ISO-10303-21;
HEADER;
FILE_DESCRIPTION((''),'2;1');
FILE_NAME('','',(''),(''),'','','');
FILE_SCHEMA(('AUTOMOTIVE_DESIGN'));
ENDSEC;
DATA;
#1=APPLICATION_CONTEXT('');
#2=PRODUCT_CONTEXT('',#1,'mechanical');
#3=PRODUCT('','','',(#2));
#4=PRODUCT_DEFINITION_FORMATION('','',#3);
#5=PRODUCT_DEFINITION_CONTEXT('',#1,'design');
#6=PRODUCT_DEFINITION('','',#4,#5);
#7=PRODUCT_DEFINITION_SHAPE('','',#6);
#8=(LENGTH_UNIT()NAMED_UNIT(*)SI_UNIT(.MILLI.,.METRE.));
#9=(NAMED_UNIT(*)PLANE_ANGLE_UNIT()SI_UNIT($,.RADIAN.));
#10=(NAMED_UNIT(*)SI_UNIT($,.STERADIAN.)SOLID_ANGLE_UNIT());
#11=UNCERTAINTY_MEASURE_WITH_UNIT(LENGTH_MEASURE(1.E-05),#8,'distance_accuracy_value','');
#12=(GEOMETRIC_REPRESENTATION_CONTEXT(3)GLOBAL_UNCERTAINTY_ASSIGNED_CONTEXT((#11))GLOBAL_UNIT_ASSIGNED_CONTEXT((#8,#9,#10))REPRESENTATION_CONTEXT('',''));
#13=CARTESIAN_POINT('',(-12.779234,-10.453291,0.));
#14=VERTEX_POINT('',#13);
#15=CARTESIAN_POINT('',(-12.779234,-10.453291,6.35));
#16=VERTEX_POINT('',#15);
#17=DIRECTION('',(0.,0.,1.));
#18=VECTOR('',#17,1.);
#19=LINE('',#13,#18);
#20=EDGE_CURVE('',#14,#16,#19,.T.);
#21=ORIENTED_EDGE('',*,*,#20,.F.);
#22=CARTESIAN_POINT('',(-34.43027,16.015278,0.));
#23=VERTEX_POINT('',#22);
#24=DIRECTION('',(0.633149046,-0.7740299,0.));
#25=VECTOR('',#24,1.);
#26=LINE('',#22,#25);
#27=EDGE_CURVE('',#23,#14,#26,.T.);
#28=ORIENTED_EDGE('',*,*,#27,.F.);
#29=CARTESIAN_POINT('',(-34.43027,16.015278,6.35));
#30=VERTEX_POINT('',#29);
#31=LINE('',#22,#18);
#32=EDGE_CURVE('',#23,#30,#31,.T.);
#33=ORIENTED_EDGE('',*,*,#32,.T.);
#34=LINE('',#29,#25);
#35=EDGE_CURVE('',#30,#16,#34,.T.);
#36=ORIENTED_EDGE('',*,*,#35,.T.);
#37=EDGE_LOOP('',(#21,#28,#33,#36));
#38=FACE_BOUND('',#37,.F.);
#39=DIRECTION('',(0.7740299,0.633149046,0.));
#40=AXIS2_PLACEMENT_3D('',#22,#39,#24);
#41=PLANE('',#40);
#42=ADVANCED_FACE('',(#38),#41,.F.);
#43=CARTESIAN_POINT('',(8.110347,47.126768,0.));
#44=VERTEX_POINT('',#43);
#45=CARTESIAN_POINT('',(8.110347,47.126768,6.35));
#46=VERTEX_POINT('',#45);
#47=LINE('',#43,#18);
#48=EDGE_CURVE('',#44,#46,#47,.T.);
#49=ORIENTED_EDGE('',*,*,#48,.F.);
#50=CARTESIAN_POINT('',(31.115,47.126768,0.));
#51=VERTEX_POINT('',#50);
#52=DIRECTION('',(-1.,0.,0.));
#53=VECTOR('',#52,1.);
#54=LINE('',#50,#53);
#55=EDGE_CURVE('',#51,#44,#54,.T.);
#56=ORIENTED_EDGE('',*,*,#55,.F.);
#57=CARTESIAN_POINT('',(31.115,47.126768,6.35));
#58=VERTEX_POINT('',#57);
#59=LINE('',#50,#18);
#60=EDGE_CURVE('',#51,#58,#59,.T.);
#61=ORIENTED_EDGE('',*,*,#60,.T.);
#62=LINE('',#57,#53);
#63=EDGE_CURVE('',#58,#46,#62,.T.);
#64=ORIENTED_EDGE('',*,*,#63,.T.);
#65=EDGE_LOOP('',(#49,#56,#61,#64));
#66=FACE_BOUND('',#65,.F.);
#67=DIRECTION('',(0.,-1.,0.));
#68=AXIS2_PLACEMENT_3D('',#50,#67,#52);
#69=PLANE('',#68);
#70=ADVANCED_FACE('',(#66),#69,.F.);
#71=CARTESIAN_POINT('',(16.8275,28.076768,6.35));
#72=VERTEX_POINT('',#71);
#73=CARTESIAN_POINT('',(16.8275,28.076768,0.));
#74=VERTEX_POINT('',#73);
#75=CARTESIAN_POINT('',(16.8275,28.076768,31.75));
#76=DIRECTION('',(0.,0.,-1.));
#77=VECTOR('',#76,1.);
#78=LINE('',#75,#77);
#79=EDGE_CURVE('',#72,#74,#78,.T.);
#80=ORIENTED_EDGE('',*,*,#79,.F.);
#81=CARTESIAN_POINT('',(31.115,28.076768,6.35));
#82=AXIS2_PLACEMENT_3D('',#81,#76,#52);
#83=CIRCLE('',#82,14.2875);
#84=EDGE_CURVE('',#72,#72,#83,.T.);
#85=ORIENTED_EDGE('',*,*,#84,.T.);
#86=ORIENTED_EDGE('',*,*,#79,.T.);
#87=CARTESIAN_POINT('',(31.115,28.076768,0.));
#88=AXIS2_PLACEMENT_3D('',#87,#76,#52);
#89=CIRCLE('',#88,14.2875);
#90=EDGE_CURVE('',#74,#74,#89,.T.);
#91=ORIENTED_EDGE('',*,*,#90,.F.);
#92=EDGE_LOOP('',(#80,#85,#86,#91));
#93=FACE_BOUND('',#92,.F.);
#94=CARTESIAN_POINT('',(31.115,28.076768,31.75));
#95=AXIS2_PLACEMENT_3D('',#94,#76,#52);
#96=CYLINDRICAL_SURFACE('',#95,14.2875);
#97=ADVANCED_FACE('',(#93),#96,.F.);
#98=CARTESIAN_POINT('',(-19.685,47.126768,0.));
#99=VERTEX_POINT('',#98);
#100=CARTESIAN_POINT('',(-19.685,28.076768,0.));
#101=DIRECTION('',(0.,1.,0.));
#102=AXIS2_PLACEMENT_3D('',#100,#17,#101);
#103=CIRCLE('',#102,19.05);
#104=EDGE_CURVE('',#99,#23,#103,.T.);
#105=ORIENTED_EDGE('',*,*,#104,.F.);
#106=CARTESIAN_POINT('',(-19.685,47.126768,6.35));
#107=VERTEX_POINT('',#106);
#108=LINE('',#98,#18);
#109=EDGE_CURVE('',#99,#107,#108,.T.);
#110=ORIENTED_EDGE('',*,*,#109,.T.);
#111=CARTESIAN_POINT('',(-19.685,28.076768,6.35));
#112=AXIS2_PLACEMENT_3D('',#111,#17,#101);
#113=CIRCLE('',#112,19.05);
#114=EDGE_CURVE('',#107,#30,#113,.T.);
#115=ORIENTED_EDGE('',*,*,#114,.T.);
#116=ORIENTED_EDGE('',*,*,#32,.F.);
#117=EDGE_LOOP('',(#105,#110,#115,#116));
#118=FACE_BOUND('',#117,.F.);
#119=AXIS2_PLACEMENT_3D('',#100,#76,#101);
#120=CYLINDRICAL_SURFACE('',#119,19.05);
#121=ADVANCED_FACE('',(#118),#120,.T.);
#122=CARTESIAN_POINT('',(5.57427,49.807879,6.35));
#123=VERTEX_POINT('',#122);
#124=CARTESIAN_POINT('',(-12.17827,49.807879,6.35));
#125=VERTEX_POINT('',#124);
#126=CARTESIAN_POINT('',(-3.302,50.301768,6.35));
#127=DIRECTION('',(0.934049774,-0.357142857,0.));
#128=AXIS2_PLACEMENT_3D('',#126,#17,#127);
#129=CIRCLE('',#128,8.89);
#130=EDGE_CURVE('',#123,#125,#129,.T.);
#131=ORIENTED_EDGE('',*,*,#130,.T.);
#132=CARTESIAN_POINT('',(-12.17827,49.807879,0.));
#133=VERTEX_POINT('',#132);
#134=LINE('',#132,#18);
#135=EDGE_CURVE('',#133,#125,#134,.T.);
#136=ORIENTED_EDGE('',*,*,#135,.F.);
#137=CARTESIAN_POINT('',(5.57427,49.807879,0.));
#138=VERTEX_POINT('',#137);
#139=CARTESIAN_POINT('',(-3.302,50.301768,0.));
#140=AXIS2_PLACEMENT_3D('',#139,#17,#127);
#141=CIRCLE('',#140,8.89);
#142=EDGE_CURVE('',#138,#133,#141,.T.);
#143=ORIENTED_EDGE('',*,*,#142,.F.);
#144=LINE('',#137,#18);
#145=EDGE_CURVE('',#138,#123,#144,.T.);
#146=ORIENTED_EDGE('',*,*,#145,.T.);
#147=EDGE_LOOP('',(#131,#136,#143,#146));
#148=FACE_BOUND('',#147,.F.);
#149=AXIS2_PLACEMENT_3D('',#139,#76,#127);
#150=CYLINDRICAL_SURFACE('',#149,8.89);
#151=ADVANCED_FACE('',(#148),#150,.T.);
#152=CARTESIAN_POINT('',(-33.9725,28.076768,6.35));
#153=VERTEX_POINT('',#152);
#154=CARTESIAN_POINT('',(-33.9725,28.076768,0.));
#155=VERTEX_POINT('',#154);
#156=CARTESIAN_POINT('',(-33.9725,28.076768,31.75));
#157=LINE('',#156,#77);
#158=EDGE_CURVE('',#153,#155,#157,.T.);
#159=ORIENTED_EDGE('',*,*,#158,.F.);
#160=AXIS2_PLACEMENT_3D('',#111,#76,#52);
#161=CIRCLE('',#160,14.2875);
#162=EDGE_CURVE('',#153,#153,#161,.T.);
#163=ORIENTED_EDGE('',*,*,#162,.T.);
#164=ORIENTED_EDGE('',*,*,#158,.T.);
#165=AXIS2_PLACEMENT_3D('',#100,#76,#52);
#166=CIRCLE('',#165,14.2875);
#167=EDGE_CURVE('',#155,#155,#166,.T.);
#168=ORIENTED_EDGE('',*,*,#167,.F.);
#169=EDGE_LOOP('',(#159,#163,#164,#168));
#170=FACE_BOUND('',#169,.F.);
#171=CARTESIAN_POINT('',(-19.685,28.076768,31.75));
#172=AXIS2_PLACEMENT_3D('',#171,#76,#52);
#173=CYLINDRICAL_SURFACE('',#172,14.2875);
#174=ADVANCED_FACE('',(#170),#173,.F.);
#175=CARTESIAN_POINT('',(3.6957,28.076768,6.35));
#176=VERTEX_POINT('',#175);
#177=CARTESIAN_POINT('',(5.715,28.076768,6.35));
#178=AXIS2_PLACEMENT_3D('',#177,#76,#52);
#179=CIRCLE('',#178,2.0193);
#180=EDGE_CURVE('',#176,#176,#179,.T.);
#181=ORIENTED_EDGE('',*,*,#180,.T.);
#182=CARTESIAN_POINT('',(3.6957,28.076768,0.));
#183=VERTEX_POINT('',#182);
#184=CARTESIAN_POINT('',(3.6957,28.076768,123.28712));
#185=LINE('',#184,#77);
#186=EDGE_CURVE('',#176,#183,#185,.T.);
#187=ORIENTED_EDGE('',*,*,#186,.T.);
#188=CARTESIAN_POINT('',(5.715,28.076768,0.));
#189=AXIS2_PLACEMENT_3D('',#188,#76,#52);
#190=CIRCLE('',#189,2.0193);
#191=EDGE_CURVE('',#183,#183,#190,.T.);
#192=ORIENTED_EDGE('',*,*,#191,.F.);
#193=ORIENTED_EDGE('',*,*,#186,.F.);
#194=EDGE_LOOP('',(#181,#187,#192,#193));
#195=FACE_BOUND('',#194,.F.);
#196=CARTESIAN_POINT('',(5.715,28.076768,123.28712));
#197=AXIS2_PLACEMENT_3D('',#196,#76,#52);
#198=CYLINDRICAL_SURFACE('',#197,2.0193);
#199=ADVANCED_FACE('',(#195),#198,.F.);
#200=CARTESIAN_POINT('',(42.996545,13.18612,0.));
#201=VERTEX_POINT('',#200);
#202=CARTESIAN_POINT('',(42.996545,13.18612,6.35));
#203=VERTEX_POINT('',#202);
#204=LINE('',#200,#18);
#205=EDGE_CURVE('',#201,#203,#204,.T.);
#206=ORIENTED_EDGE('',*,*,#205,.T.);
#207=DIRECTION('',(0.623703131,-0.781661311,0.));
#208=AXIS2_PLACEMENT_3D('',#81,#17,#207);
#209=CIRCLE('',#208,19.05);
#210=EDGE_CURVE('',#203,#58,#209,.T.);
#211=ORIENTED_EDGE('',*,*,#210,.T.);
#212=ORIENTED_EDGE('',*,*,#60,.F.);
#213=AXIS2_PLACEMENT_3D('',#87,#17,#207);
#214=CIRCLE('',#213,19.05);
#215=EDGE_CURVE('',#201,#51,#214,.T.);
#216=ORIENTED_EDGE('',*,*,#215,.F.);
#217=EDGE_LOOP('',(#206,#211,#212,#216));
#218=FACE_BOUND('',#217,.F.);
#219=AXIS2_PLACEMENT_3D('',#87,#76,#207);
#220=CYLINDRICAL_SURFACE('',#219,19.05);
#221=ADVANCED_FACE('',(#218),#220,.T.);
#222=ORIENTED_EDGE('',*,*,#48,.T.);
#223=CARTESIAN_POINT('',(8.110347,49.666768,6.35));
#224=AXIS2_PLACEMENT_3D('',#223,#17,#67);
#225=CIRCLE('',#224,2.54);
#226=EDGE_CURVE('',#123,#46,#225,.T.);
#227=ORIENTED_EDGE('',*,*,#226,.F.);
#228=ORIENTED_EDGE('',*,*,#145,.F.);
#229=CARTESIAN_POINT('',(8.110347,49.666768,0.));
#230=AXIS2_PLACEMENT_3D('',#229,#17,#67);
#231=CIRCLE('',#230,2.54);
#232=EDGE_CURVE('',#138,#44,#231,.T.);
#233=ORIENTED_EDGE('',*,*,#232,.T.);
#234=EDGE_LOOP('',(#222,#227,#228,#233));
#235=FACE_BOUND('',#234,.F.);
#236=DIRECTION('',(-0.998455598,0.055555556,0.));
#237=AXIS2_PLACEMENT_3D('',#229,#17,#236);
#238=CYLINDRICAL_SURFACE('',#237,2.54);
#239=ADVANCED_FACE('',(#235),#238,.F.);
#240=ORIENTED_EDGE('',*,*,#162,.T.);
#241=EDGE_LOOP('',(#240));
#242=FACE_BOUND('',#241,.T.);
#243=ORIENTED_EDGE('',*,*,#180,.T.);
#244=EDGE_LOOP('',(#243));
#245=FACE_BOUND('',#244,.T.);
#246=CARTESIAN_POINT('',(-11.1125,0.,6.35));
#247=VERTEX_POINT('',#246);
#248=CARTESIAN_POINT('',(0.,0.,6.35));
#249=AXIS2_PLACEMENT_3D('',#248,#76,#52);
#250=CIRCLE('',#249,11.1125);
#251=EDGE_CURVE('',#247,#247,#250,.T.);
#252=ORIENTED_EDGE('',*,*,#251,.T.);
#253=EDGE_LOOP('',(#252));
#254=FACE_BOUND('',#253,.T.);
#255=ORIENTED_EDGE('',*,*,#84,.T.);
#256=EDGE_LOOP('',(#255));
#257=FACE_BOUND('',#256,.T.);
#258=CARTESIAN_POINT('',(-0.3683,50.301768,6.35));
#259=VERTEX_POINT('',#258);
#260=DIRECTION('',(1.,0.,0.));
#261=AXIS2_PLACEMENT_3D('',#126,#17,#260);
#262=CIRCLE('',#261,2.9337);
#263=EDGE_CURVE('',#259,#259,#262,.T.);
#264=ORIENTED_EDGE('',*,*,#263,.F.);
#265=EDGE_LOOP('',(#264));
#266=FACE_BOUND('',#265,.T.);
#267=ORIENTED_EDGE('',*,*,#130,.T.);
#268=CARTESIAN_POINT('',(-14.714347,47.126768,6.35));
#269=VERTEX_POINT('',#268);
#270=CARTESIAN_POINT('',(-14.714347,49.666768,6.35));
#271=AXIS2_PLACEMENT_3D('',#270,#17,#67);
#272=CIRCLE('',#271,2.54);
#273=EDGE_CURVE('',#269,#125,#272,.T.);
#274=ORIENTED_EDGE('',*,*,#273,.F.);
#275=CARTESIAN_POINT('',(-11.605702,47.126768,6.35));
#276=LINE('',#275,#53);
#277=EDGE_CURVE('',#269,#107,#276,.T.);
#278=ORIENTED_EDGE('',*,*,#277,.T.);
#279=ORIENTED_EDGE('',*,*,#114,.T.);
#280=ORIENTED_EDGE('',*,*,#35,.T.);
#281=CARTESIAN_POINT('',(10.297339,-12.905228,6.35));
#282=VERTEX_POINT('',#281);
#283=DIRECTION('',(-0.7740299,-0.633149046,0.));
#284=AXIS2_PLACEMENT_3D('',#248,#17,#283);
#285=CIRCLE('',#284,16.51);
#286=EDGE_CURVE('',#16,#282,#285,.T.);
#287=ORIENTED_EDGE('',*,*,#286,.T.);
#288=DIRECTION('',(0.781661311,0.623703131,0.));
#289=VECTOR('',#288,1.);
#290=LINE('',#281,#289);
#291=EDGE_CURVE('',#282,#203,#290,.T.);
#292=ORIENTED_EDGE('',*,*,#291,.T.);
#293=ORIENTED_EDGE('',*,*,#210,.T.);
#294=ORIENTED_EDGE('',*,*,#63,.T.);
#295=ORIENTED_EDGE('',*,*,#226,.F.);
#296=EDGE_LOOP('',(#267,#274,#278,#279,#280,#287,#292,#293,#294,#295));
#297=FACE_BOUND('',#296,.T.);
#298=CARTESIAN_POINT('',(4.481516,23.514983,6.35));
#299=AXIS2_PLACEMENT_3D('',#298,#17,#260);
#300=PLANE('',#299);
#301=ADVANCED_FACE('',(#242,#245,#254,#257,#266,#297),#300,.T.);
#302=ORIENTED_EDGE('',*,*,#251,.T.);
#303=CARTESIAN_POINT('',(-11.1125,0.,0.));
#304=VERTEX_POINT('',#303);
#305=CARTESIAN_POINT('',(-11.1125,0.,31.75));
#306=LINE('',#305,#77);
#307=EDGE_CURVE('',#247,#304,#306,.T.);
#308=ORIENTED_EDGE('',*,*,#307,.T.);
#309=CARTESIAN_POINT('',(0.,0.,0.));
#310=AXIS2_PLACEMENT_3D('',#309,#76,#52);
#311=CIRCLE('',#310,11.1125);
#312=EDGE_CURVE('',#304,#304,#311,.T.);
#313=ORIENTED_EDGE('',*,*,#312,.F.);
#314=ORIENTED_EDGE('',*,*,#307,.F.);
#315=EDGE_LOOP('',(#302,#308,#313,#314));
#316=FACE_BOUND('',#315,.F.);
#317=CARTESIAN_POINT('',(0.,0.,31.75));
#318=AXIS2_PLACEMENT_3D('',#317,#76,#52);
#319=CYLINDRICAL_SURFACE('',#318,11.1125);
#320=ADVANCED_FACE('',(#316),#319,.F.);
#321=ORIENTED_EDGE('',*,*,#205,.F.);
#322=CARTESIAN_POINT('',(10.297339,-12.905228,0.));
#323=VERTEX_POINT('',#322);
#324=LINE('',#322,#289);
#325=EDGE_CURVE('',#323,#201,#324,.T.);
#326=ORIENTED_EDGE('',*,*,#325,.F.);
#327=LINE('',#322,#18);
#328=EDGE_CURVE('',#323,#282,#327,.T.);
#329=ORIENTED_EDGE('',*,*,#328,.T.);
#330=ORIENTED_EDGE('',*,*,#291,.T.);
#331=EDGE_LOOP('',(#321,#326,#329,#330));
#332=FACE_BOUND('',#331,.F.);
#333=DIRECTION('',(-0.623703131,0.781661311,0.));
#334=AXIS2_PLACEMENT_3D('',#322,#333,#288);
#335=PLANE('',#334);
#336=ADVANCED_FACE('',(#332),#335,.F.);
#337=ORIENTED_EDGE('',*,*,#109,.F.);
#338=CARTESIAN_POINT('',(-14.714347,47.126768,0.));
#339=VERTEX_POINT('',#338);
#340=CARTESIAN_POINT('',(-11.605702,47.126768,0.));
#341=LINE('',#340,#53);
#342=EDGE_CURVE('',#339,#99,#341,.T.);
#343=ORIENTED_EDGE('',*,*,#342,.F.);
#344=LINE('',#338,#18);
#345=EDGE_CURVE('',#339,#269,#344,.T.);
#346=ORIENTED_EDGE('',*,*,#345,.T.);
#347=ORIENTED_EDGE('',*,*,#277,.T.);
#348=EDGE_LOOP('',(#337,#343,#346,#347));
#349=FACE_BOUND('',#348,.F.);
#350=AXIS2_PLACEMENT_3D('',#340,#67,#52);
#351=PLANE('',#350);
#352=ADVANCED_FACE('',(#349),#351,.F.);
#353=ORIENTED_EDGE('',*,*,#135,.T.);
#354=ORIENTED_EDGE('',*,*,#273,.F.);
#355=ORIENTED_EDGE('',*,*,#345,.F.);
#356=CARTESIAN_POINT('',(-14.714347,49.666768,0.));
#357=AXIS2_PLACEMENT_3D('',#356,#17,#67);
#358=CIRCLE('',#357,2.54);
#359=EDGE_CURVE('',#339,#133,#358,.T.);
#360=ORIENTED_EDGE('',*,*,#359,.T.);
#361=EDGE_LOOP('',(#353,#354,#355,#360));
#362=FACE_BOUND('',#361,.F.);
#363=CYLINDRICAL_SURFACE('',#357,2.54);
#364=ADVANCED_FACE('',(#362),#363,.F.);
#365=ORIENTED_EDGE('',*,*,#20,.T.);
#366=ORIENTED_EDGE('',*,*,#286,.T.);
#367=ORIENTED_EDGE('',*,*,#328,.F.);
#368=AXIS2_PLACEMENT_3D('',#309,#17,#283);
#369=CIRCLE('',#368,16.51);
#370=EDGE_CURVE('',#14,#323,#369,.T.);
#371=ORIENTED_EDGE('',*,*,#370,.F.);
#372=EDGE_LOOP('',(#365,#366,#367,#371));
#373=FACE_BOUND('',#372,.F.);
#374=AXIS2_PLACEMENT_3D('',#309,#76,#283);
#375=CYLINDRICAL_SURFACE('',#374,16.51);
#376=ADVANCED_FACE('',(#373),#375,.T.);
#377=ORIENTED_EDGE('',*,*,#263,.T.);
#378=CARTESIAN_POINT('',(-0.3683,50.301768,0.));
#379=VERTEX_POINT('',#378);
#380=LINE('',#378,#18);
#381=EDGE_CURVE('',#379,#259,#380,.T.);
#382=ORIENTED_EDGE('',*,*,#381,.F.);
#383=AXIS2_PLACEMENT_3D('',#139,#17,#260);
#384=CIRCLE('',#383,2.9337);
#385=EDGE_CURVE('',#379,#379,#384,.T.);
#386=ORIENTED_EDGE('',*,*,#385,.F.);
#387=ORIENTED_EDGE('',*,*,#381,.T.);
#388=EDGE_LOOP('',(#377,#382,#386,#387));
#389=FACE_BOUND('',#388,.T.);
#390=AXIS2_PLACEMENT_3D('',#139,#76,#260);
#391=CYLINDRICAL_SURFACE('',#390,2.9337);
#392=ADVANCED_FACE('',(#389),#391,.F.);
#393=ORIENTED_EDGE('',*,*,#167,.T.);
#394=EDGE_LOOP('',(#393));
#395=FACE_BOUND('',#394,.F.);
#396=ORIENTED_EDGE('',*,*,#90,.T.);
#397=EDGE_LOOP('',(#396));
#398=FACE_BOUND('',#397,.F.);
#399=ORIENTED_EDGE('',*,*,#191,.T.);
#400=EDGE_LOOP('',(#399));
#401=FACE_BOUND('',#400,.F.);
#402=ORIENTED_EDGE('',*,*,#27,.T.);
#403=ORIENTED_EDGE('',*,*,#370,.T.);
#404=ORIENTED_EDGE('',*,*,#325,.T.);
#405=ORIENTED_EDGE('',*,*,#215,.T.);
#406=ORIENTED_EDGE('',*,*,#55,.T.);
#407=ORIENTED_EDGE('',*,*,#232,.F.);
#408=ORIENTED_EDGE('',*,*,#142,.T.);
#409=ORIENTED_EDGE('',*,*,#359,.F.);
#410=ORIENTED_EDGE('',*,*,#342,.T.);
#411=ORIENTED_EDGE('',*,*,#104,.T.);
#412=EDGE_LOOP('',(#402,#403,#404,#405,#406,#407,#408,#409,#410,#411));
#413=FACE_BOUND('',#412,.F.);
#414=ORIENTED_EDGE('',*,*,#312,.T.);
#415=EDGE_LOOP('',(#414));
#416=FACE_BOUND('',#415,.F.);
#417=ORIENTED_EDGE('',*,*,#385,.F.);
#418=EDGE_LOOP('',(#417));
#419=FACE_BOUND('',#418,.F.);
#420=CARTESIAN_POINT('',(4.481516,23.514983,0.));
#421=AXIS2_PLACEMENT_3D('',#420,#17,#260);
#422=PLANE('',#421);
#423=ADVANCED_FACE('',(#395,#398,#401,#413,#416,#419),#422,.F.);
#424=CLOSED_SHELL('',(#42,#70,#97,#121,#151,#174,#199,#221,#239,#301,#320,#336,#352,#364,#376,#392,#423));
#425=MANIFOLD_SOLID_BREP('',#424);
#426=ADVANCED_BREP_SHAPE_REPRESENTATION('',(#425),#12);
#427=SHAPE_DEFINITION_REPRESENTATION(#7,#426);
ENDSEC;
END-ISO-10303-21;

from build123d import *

# Parameters (mm, degrees)
SKETCH1_R                        = 2.9337
BOSS_EXTRUDE1_DEPTH              = 6.35
F_1_1_DIAMETER_HOLE1_D           = 28.575
F_1_1_DIAMETER_HOLE1_DEPTH       = 25.4
F_1_1_DIAMETER_HOLE1_TIP         = 8.584796094
F_7_8_0_875_DIAMETER_HOLE1_D     = 22.225
F_7_8_0_875_DIAMETER_HOLE1_DEPTH = 25.4
F_7_8_0_875_DIAMETER_HOLE1_TIP   = 6.677063629
TAP_DRILL_FOR_10_32_TAP1_D       = 4.0386
FILLET1_R                        = 2.54


with BuildPart() as part:
    # Sketch1 → Boss-Extrude1 (new body)
    with BuildSketch(Plane.XY):
        with BuildLine():
            Line((-11.605702487, 47.126767531), (-19.685, 47.126767531))
            ThreePointArc((-19.685, 47.126767531), (-36.899439748, 36.235539754), (-34.430269589, 16.015278206))
            Line((-34.430269589, 16.015278206), (-12.779233644, -10.453290749))
            ThreePointArc((-12.779233644, -10.453290749), (-1.744405346, -16.417586607), (10.297338688, -12.905228241))
            Line((10.297338688, -12.905228241), (42.996544639, 13.186119561))
            ThreePointArc((42.996544639, 13.186119561), (49.095118796, 34.371036995), (31.115, 47.126767531))
            Line((31.115, 47.126767531), (5.001702487, 47.126767531))
            ThreePointArc((5.001702487, 47.126767531), (-3.302, 59.191767531), (-11.605702487, 47.126767531))
        make_face()
        with Locations((-3.302, 50.301767531)):
            Circle(SKETCH1_R, mode=Mode.SUBTRACT)
    extrude(amount=BOSS_EXTRUDE1_DEPTH)

    # 1 (1) Diameter Hole1
    with Locations(Plane.XY.offset(6.35)):
        with Locations((-19.685, 28.076767531), (31.115, 28.076767531)):
            Hole(F_1_1_DIAMETER_HOLE1_D / 2, depth=F_1_1_DIAMETER_HOLE1_DEPTH)
            with Locations((0, 0, -(F_1_1_DIAMETER_HOLE1_DEPTH + F_1_1_DIAMETER_HOLE1_TIP / 2))):  # 118° drill point
                Cone(0, F_1_1_DIAMETER_HOLE1_D / 2, F_1_1_DIAMETER_HOLE1_TIP, mode=Mode.SUBTRACT)

    # 7/8 (0.875) Diameter Hole1
    with Locations(Plane.XY.offset(6.35)):
        with Locations((0, 0)):
            Hole(F_7_8_0_875_DIAMETER_HOLE1_D / 2, depth=F_7_8_0_875_DIAMETER_HOLE1_DEPTH)
            with Locations((0, 0, -(F_7_8_0_875_DIAMETER_HOLE1_DEPTH + F_7_8_0_875_DIAMETER_HOLE1_TIP / 2))):  # 118° drill point
                Cone(0, F_7_8_0_875_DIAMETER_HOLE1_D / 2, F_7_8_0_875_DIAMETER_HOLE1_TIP, mode=Mode.SUBTRACT)

    # Tap Drill for #10-32 Tap1 (through all)
    with Locations(Plane.XY.offset(6.35)):
        with Locations((5.715, 28.076767531)):
            Hole(TAP_DRILL_FOR_10_32_TAP1_D / 2)

    # Fillet1
    fillet1_edges = [part.edges().sort_by_distance(p)[0] for p in [
        (5.001702487, 47.126767531, 3.175),
        (-11.605702487, 47.126767531, 3.175),
    ]]
    fillet(fillet1_edges, radius=FILLET1_R)


solid = part.part
